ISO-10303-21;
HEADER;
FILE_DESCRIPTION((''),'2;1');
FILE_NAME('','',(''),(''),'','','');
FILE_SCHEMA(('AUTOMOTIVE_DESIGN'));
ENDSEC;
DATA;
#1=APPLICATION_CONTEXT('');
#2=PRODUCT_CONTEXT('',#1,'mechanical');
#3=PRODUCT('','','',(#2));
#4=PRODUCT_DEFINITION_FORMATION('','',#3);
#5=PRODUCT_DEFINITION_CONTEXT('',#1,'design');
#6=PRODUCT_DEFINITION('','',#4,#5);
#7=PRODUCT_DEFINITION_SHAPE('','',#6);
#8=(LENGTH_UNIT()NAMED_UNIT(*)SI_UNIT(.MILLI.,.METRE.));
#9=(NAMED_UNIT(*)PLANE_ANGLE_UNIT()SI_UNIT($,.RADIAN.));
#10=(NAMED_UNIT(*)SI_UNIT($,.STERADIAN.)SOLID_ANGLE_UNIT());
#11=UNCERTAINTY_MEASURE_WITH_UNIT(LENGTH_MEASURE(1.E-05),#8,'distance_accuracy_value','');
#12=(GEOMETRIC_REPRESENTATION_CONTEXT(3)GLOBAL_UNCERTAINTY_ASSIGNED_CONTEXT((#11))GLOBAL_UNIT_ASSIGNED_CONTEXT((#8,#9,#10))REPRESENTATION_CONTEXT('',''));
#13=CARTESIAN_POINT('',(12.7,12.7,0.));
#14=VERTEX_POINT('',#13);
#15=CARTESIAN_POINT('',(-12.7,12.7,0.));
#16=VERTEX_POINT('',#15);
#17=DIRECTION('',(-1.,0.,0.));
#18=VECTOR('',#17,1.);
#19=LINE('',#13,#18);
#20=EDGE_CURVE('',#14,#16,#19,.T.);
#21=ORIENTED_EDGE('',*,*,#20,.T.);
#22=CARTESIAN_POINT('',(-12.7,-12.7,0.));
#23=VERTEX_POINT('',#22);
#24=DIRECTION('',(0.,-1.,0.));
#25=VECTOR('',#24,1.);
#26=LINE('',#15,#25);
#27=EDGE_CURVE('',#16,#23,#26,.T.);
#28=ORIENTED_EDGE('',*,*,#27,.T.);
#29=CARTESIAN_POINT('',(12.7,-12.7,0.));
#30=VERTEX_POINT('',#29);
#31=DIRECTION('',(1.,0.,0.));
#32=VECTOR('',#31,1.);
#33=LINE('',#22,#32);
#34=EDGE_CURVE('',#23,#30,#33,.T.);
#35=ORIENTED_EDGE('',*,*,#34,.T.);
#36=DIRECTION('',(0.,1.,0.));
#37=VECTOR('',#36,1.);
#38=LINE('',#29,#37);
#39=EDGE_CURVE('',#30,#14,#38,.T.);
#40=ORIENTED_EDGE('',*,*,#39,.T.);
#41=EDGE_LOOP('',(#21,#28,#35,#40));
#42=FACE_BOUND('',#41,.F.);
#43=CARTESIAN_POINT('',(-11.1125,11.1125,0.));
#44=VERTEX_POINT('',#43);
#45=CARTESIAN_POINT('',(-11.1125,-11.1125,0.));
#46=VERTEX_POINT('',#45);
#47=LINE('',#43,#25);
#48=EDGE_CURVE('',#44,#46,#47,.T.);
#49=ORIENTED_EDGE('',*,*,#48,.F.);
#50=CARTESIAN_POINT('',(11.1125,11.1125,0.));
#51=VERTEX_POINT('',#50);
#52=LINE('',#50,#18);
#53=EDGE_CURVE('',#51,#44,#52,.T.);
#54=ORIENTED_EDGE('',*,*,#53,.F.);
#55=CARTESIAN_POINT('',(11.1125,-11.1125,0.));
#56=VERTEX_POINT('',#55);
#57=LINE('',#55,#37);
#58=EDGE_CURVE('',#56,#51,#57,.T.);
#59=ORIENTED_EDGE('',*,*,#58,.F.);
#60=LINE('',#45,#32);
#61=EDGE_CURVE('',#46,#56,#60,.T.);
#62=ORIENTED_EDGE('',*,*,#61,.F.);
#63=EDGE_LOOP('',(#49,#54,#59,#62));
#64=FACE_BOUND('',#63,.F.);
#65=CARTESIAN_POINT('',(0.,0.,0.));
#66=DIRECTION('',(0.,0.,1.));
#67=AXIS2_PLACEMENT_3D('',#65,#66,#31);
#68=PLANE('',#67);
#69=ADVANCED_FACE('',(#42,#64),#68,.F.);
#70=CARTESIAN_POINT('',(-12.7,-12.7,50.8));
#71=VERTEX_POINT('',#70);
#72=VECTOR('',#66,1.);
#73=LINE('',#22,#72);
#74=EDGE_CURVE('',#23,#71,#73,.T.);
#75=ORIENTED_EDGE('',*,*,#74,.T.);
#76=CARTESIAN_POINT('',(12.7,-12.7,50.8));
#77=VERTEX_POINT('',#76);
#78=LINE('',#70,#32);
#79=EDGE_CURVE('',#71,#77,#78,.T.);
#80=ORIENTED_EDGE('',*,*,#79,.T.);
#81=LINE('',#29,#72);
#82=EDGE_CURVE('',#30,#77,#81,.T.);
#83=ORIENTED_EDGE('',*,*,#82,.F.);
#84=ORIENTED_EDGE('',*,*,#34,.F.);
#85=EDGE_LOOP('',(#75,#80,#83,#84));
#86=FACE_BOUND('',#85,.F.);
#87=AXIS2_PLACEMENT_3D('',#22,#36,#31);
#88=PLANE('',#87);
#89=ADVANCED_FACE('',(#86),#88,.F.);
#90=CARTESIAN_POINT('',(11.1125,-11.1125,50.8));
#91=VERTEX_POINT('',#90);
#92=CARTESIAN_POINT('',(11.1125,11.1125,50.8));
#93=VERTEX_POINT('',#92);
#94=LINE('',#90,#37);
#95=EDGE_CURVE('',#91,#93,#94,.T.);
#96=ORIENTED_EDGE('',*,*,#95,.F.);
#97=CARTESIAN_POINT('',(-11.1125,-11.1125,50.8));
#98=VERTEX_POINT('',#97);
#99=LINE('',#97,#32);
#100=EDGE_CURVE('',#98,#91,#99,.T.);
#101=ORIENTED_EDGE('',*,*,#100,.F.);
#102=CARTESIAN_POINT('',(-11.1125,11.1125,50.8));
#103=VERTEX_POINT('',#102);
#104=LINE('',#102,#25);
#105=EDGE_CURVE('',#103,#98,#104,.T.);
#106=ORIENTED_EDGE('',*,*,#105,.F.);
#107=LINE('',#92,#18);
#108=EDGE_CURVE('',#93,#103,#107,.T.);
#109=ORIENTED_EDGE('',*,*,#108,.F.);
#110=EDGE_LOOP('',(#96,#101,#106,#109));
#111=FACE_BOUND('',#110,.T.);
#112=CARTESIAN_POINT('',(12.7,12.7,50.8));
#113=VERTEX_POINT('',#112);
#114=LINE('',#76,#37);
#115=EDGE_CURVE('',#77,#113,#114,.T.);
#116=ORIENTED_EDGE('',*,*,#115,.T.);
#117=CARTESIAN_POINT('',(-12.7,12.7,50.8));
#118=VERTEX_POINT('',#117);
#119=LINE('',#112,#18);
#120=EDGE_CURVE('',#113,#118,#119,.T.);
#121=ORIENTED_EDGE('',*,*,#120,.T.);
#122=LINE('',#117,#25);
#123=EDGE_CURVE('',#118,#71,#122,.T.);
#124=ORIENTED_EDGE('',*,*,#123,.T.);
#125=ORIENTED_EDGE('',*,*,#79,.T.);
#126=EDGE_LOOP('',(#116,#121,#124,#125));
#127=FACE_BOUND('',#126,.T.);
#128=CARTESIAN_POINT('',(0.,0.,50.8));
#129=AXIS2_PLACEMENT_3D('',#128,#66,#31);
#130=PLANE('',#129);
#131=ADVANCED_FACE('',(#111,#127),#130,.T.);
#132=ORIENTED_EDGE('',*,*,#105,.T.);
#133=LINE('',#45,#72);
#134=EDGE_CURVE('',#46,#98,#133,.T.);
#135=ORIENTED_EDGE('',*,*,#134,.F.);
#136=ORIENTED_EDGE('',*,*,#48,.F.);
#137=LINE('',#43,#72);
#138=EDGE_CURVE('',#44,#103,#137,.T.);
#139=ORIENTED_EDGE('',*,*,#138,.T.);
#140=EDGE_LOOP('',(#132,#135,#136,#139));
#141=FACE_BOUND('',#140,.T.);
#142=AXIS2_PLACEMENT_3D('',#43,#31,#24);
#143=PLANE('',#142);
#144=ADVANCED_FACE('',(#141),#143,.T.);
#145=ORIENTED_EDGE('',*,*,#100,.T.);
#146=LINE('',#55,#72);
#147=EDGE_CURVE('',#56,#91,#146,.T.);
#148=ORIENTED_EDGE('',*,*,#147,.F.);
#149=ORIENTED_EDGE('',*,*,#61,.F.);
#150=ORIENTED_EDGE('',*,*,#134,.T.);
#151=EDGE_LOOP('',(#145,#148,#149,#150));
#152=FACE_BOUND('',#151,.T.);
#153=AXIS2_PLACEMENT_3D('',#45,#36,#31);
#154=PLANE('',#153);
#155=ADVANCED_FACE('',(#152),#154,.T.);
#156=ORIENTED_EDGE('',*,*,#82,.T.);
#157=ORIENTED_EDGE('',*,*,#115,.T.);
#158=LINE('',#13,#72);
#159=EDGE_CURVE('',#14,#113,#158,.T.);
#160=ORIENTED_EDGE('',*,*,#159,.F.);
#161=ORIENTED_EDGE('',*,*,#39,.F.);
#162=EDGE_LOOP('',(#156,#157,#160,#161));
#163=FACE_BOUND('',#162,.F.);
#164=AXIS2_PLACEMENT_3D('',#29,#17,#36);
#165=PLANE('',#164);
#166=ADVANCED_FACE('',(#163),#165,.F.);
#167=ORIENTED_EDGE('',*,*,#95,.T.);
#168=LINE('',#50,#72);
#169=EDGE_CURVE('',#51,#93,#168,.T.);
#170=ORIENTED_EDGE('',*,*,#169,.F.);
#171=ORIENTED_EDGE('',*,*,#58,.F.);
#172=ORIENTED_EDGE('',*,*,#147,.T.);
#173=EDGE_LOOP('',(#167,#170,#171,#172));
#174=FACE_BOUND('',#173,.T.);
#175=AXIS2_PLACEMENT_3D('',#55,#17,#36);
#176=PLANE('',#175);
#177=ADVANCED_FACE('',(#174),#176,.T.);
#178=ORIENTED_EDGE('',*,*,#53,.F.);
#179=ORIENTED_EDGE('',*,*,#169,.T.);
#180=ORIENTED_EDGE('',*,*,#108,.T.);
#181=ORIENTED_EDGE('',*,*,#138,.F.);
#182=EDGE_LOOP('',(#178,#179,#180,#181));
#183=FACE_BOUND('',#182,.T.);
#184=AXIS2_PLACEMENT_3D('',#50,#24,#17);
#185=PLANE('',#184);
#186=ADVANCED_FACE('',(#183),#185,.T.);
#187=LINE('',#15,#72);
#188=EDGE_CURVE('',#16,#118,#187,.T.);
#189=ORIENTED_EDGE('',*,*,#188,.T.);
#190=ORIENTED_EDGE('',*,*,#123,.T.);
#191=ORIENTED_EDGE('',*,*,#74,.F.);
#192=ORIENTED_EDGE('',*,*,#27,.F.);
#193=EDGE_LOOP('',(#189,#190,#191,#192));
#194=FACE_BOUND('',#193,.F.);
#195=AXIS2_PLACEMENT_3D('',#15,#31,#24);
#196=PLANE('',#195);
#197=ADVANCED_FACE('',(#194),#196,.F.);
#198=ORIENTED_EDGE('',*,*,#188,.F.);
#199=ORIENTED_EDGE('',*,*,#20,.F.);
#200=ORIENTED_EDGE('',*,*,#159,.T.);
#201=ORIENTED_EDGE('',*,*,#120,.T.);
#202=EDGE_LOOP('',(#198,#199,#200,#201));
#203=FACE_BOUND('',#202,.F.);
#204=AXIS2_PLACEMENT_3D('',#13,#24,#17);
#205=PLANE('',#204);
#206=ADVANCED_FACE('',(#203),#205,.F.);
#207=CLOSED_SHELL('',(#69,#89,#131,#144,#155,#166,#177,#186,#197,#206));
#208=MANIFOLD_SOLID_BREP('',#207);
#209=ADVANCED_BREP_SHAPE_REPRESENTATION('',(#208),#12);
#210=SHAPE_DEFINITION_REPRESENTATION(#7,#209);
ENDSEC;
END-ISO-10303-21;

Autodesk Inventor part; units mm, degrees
ref_plane "YZ Plane" through (0, 0, 0) normal (1, 0, 0) x (0, 1, 0)
ref_plane "XZ Plane" through (0, 0, 0) normal (0, 1, 0) x (-1, 0, 0)
ref_plane "XY Plane" through (0, 0, 0) normal (0, 0, 1) x (1, 0, 0)
sketch "Sketch1" plane through (0, 0, 0) normal (0, 0, 1) x (1, 0, 0)
  line L0 (-12.7, -12.7) -> (12.7, -12.7)
  line L1 (12.7, -12.7) -> (12.7, 12.7)
  line L2 (12.7, 12.7) -> (-12.7, 12.7)
  line L3 (-12.7, 12.7) -> (-12.7, -12.7)
  line L4 (-11.1125, -11.1125) -> (11.1125, -11.1125)
  line L5 (11.1125, -11.1125) -> (11.1125, 11.1125)
  line L6 (11.1125, 11.1125) -> (-11.1125, 11.1125)
  line L7 (-11.1125, 11.1125) -> (-11.1125, -11.1125)
  point P0 (0, 0)
  dimension "d0" = 25.4
  dimension "d1" = 25.4
  dimension "d2" = 22.225
  dimension "d3" = 22.225
extrude "Extrusion1" add sketch "Sketch1" along normal blind 50.8
equation "\"BendRadius\" = Thickness"
equation "\"BendReliefWidth\" = Thickness"
equation "\"BendReliefDepth\" = 0.5 * Thickness"
equation "\"CornerReliefSize\" = 4 * Thickness"
equation "\"MinimumRemnant\" = 2 * Thickness"
equation "\"TransitionRadius\" = BendRadius"
equation "\"JacobiRadiusSize\" = BendRadius"
equation "\"GapSize\" = Thickness"
equation "\"Thickness\" = 3.048"
properties part number "2 in 1-16"
